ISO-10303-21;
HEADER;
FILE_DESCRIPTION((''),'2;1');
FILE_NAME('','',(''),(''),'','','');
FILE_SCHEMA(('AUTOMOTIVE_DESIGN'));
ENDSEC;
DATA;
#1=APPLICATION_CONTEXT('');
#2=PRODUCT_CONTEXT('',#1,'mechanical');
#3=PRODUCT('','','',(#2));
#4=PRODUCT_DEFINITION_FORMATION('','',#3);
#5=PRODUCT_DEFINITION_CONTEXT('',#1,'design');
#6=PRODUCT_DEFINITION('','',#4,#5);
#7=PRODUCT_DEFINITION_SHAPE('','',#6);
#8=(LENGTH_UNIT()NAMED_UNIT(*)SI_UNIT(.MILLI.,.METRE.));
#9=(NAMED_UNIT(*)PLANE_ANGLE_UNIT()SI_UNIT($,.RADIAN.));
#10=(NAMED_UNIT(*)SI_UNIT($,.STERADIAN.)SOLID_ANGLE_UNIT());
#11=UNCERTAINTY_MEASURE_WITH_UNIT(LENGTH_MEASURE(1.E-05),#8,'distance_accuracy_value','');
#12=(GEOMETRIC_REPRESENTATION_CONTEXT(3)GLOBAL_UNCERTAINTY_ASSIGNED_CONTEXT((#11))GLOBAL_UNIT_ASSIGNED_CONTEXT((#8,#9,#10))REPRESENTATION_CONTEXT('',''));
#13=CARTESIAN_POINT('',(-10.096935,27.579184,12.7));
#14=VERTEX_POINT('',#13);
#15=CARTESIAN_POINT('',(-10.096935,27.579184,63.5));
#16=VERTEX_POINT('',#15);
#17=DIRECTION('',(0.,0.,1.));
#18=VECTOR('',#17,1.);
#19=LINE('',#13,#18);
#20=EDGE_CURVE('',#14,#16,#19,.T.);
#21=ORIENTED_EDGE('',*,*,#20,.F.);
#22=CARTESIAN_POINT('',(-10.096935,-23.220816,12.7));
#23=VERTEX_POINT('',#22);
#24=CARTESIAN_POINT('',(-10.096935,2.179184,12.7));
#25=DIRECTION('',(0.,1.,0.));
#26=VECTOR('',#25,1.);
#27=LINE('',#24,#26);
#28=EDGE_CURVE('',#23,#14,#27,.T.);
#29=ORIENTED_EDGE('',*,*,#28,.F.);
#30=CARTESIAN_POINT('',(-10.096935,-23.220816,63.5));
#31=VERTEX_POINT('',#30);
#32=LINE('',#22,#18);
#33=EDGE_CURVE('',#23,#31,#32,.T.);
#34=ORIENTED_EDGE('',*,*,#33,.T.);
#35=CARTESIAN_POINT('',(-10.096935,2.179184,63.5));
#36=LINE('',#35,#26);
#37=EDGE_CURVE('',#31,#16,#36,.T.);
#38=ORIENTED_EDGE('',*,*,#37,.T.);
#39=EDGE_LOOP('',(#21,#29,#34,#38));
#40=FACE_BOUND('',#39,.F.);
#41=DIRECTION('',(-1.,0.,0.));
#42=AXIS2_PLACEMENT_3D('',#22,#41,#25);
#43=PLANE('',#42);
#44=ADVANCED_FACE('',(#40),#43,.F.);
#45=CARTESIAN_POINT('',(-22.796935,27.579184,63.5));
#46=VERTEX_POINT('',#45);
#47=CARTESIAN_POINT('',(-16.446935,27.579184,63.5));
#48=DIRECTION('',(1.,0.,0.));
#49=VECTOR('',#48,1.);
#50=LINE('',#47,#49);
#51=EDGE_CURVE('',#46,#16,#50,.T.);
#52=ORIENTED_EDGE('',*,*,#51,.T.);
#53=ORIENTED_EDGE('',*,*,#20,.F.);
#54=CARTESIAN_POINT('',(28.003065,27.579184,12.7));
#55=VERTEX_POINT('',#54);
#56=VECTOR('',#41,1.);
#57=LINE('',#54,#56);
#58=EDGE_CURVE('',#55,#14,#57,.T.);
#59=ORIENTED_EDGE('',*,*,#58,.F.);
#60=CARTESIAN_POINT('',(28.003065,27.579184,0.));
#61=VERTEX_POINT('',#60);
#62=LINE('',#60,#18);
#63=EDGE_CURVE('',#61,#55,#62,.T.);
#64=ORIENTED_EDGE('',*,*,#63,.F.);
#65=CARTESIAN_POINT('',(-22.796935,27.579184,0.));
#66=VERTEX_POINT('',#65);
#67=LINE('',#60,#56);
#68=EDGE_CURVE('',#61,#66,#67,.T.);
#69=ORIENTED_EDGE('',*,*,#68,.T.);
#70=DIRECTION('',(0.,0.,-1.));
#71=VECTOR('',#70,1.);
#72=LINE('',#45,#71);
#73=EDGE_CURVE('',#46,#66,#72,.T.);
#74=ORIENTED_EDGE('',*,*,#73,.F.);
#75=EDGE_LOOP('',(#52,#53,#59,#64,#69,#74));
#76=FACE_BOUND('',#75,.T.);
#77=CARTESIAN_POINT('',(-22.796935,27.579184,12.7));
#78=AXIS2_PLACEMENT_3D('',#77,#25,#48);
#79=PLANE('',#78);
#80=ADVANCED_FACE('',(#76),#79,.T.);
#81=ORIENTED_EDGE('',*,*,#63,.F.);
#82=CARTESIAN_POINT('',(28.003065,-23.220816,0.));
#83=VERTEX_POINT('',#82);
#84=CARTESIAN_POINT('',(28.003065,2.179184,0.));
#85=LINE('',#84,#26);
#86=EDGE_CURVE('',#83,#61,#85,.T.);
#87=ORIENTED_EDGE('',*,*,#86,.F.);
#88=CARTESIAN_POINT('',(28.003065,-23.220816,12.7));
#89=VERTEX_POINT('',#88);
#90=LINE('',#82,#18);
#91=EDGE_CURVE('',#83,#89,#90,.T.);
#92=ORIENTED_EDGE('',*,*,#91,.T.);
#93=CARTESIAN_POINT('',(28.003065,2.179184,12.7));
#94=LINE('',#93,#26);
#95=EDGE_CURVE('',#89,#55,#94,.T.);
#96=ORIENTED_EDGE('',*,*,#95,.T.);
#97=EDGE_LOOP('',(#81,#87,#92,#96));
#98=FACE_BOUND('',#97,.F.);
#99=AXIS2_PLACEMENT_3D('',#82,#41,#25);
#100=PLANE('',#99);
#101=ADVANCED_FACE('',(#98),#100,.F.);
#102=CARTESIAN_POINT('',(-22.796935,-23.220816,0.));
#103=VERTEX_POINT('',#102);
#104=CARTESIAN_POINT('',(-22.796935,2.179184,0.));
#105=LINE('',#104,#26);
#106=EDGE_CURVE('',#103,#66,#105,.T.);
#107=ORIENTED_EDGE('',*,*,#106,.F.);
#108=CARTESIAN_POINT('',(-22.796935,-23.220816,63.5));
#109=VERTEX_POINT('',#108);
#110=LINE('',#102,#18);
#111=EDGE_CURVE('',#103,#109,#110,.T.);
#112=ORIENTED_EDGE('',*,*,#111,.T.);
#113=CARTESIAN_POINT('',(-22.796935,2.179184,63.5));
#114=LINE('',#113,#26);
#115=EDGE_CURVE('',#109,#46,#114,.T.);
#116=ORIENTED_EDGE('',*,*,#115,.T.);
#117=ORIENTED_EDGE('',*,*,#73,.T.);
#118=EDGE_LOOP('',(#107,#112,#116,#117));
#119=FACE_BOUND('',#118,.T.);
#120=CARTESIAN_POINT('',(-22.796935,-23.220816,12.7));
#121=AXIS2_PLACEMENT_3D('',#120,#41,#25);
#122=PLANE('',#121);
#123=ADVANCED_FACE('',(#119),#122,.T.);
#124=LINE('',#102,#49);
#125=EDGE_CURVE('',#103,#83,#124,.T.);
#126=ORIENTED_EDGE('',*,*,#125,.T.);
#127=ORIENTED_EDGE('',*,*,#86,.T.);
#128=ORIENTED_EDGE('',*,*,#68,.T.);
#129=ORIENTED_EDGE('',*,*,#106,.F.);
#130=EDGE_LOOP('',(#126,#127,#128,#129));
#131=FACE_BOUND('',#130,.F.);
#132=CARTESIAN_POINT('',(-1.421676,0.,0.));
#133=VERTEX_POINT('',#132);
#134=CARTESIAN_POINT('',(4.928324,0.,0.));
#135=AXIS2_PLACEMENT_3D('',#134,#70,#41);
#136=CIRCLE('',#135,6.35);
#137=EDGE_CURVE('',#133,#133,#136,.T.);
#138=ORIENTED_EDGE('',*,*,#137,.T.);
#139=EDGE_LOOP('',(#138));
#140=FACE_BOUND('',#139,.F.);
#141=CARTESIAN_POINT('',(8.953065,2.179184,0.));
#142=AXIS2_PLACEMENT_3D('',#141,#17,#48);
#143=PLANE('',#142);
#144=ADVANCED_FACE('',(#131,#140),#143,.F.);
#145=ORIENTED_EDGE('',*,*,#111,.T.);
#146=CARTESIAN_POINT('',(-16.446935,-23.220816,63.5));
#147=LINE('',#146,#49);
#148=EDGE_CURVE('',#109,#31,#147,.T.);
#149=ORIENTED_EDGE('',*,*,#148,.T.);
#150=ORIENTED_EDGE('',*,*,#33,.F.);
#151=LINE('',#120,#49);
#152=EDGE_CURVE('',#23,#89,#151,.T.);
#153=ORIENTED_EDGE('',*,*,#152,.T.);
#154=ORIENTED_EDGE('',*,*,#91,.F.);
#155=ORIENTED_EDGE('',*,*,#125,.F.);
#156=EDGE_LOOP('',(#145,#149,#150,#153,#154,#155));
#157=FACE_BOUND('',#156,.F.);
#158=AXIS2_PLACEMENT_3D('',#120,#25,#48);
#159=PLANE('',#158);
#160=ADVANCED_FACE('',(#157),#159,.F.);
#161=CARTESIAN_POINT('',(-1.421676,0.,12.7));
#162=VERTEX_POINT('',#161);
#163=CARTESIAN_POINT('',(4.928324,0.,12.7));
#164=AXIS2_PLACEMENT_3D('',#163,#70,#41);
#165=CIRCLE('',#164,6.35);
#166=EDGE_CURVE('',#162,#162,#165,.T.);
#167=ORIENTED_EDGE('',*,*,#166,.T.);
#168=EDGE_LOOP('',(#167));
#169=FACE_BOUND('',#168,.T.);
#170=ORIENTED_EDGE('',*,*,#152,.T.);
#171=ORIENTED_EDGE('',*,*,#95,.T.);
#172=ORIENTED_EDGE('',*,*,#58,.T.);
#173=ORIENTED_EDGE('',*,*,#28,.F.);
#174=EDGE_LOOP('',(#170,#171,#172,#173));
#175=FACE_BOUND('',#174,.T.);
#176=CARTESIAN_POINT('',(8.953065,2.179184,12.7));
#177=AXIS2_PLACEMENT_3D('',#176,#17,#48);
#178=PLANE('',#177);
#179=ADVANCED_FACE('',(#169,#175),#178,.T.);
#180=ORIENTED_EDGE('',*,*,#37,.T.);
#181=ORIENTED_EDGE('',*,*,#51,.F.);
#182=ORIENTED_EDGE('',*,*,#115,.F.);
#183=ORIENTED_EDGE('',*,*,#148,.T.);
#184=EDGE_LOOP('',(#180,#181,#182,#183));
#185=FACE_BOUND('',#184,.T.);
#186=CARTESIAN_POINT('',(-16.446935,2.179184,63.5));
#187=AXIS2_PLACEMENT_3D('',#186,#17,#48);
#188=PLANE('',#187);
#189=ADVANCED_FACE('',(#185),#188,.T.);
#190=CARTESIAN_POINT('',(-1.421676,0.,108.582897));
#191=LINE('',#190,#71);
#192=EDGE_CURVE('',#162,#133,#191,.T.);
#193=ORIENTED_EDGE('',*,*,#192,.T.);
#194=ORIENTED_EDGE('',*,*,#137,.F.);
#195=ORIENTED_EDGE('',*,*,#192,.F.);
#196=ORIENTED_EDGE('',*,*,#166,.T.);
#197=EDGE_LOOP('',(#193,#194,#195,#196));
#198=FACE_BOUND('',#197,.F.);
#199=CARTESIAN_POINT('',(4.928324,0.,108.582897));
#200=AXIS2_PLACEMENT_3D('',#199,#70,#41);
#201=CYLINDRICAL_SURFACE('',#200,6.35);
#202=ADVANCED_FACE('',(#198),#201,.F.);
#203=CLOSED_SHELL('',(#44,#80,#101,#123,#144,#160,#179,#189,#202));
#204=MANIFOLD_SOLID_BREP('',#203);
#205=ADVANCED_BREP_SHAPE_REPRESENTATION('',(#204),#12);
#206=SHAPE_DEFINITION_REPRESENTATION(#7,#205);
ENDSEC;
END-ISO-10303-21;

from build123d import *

# Parameters (mm, degrees)
F0_W     = 38.1
F0_H     = 50.8
F0_W_2   = 12.7
F1_DEPTH = 12.7
F2_W     = 12.7
F2_H     = 50.8
F3_DEPTH = 50.8
F5_D     = 12.7


with BuildPart() as f1:
    # F0 (on Top) → F1 (new body)
    with BuildSketch(Plane.XY):
        with Locations((8.953065, 2.179184)):
            Rectangle(F0_W, F0_H)
        with Locations((-16.446935, 2.179184)):
            Rectangle(F0_W_2, F0_H)
    extrude(amount=F1_DEPTH)

    # F2 (on face) → F3 (join)
    with BuildSketch(Plane.XY.offset(12.7)):
        with Locations((-16.446935, 2.179184)):
            Rectangle(F2_W, F2_H)
    extrude(amount=F3_DEPTH)

    # F5 (through all)
    with Locations(Plane.XY.offset(12.7)):
        with Locations((4.928324, 0)):
            Hole(F5_D / 2)


solid = f1.part
